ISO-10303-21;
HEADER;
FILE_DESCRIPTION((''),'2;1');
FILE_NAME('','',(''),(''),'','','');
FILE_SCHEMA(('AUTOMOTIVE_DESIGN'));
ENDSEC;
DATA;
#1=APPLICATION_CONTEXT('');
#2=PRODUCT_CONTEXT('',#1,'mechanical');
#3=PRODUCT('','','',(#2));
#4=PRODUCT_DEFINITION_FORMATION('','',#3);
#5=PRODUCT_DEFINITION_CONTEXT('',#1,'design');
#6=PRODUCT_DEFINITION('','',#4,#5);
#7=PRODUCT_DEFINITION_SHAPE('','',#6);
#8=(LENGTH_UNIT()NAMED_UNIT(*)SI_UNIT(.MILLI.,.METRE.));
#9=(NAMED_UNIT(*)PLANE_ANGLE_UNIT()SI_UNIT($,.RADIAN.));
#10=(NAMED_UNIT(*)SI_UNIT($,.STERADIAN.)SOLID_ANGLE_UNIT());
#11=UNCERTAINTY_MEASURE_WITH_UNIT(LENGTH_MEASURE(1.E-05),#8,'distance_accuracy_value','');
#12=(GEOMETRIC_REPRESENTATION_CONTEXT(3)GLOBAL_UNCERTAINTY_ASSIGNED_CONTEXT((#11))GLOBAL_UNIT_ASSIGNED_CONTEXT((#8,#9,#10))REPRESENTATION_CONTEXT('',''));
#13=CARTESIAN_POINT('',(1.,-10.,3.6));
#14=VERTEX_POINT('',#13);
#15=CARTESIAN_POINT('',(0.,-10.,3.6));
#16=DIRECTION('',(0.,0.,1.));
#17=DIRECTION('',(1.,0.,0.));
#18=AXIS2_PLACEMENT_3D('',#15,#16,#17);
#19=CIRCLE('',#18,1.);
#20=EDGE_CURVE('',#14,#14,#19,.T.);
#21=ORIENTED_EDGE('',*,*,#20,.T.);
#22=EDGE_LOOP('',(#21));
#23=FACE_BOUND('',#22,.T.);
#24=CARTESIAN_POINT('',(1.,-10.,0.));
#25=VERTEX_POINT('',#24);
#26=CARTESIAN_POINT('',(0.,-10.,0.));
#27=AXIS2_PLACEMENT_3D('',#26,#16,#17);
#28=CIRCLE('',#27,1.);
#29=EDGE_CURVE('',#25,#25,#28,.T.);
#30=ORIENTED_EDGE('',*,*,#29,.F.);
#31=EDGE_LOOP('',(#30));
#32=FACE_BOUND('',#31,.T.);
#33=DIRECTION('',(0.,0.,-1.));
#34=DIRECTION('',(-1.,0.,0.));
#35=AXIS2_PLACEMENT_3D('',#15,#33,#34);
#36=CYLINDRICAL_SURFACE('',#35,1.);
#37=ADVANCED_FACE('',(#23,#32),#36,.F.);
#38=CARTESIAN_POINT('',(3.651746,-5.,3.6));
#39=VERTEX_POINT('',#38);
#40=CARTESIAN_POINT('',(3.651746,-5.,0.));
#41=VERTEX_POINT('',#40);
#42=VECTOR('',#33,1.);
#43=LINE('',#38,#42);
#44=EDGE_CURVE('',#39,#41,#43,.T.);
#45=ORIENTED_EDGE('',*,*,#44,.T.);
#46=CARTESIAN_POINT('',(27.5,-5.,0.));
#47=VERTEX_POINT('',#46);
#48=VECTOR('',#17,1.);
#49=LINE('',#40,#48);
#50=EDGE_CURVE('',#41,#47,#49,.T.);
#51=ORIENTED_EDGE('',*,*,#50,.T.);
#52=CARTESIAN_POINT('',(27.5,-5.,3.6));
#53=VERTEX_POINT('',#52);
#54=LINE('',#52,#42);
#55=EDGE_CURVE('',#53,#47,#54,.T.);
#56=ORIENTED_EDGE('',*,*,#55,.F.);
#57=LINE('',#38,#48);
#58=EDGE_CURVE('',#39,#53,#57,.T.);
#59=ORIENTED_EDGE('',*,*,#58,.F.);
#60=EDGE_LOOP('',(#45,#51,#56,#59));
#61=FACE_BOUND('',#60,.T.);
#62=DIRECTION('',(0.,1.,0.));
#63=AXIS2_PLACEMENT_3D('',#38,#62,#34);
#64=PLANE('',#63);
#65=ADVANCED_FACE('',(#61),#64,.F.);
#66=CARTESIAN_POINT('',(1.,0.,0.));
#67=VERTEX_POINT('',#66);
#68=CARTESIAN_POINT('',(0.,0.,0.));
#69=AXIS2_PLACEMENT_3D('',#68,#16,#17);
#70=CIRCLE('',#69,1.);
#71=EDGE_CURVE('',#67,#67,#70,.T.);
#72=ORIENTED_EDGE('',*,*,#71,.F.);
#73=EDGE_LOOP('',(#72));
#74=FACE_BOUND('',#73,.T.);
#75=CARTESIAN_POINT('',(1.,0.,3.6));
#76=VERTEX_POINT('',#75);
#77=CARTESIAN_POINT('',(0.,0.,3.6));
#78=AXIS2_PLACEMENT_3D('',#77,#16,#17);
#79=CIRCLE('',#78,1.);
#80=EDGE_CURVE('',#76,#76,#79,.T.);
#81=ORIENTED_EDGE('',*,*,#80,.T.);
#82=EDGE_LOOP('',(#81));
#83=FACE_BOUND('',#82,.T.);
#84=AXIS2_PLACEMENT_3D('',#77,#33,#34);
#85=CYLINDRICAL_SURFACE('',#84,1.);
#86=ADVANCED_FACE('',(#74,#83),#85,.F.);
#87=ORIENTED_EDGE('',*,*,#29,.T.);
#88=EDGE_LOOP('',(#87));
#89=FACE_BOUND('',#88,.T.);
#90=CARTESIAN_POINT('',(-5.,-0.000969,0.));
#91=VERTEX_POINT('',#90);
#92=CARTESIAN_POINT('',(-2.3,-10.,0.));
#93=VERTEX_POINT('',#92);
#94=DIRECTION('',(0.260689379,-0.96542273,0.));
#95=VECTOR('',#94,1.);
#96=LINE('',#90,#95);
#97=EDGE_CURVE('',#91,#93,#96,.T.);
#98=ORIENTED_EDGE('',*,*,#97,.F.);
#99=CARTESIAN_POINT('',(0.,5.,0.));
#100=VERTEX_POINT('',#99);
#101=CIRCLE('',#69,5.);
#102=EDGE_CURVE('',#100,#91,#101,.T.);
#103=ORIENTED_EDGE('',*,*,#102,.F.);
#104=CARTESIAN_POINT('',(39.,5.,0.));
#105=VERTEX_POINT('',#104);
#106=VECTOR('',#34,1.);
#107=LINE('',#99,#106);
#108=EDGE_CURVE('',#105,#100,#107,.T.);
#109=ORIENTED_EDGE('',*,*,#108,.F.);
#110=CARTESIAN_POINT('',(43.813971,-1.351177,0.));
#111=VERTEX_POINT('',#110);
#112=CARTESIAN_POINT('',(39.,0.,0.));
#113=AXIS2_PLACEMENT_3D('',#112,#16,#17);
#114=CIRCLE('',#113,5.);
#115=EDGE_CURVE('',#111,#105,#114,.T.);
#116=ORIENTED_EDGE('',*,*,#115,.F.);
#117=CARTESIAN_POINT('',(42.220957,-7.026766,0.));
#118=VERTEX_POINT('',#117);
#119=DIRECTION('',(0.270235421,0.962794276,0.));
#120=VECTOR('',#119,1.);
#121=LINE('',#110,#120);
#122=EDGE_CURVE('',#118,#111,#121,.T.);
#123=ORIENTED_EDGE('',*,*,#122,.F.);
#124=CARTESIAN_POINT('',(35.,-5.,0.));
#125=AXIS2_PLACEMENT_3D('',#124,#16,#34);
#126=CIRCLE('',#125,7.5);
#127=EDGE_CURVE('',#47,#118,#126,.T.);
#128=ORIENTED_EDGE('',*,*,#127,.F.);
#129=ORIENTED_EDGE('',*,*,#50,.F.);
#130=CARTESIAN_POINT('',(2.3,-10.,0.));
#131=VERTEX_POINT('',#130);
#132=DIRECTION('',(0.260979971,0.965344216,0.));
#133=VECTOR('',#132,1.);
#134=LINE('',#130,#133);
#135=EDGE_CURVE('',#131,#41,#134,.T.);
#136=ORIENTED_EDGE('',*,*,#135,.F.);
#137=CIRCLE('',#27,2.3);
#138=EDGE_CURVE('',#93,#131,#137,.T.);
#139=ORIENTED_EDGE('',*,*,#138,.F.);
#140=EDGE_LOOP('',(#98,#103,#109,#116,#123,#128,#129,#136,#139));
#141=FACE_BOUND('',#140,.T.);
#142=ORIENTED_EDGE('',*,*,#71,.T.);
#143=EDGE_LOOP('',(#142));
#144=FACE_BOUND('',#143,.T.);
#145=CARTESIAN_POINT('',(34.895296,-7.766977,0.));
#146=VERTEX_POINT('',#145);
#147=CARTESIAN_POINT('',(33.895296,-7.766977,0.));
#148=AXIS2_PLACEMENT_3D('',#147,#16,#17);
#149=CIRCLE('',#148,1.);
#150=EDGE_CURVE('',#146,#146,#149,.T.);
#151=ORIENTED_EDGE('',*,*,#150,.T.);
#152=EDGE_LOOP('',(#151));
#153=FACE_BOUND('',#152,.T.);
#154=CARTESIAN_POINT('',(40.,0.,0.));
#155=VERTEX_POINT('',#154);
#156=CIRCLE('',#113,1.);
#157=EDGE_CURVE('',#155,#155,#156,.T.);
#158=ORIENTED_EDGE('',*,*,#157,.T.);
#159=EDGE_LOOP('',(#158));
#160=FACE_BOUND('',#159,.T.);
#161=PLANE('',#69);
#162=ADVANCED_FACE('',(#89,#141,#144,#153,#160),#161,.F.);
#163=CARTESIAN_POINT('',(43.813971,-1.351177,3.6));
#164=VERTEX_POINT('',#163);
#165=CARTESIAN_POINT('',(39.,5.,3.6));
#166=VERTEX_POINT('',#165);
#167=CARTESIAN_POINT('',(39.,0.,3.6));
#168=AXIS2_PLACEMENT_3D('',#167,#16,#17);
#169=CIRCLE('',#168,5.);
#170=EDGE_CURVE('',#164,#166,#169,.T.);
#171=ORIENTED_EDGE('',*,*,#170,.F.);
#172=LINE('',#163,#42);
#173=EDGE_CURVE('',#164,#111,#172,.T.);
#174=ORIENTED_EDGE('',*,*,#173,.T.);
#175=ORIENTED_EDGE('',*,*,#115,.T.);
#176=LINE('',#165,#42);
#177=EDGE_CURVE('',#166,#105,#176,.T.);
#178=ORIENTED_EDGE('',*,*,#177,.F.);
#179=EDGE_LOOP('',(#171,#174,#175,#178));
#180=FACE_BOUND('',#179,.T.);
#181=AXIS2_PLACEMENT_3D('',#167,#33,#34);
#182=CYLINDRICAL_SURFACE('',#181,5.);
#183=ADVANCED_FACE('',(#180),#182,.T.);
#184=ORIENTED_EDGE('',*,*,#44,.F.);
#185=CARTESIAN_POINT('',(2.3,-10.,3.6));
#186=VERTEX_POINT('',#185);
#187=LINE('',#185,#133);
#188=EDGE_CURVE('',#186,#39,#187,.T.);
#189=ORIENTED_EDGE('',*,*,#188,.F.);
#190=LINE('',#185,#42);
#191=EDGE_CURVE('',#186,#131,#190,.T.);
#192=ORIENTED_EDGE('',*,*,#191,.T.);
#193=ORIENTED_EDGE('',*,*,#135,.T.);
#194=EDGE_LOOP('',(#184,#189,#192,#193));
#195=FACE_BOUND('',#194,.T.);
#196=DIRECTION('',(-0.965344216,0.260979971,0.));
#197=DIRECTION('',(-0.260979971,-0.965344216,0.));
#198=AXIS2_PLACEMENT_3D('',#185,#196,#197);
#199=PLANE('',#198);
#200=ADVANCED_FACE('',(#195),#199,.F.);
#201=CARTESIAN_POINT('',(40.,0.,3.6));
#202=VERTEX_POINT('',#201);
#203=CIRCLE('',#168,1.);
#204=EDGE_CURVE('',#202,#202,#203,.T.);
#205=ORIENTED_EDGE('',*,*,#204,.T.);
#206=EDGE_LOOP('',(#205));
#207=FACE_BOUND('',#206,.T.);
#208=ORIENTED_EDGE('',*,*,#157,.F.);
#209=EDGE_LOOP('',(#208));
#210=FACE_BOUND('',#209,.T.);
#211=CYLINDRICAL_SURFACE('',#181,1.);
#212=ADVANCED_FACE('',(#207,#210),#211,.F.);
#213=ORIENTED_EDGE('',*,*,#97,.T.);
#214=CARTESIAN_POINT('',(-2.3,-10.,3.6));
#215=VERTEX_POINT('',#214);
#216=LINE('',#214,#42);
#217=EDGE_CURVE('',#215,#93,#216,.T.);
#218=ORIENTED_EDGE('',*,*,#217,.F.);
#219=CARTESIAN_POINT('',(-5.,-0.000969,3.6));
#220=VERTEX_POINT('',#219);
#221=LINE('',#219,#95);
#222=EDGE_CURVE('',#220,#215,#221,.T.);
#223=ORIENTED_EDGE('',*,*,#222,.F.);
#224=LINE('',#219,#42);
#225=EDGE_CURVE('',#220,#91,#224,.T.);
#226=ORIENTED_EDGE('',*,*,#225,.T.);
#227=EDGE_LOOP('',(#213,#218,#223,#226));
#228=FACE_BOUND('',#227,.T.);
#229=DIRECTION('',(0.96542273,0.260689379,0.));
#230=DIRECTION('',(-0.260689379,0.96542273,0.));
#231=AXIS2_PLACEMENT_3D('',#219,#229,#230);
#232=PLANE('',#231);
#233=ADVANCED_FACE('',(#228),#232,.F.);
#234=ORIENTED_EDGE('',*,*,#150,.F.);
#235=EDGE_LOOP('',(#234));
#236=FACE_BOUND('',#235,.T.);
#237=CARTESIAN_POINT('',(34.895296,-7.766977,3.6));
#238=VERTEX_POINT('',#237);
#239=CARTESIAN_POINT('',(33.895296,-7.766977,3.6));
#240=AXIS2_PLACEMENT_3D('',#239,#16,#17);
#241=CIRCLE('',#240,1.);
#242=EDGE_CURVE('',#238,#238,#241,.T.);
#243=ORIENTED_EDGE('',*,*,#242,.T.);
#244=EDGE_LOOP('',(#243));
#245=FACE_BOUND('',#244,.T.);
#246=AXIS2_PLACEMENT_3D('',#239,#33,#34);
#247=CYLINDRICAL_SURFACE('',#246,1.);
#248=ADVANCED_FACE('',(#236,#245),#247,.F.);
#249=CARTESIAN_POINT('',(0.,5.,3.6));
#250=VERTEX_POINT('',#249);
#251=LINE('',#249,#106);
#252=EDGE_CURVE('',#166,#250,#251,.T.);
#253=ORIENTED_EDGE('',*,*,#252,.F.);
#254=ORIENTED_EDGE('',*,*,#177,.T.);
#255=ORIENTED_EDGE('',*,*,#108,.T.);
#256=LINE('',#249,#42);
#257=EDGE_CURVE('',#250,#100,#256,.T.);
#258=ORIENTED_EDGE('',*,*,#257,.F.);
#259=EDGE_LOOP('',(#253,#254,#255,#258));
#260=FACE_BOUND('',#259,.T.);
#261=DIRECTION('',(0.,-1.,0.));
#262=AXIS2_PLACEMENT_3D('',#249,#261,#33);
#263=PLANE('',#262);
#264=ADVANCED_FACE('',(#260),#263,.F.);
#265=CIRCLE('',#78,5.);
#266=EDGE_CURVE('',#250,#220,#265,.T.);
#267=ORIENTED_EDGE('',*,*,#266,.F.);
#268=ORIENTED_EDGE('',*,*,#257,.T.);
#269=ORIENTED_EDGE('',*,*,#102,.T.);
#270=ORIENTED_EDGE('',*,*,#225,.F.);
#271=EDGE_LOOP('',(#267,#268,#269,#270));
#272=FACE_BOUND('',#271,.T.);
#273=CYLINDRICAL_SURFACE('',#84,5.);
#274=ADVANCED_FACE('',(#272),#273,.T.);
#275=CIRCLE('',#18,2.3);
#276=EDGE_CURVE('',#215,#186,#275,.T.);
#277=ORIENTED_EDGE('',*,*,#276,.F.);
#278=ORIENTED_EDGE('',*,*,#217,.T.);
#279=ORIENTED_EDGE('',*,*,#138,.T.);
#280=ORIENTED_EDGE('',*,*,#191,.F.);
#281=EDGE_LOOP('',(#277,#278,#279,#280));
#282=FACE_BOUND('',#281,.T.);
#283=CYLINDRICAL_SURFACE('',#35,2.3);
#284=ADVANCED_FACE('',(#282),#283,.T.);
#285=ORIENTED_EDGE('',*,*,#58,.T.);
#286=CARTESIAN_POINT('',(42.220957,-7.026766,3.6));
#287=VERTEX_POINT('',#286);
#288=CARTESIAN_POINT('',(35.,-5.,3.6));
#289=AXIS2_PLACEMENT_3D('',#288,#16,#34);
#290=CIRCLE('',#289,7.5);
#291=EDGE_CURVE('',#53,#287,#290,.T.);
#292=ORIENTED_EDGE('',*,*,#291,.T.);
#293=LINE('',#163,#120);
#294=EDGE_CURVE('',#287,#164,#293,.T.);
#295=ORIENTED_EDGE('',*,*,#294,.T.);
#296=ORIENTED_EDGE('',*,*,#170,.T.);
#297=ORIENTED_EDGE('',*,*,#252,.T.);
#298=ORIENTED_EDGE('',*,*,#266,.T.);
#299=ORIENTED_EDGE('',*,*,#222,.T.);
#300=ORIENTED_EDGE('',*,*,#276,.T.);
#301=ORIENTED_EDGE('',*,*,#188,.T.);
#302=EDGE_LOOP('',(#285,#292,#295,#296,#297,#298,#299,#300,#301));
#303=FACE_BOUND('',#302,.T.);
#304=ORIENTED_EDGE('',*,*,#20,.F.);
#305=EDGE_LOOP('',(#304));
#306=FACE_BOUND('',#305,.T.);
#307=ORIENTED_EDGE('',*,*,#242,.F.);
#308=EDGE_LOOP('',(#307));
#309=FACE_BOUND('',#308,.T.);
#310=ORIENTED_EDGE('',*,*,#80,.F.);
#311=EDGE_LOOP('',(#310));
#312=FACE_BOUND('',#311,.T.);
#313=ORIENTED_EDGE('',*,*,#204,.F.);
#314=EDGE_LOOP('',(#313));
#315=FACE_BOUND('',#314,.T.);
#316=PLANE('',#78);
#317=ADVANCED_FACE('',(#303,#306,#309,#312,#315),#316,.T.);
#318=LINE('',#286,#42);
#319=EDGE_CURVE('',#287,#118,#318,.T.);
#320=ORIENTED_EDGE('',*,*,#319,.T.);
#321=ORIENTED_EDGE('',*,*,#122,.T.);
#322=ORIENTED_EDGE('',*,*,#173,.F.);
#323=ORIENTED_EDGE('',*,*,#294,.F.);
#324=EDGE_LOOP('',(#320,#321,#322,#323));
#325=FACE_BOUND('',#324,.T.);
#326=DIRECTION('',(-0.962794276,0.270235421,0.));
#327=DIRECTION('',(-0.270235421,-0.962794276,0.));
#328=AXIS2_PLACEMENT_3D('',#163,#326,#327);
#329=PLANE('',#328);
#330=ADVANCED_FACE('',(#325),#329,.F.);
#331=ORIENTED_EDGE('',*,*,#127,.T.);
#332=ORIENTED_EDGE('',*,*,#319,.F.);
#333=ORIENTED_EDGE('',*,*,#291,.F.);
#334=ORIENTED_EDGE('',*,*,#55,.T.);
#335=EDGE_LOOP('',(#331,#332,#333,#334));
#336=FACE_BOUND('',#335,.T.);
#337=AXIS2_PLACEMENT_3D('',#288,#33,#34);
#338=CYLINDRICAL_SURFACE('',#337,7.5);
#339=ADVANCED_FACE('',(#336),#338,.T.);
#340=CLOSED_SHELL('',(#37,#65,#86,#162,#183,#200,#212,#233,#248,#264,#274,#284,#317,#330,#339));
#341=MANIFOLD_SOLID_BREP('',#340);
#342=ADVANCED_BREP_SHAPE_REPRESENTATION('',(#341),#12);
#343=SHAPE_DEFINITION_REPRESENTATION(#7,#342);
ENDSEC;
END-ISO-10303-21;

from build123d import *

# Parameters (mm, degrees)
SKETCH1_R           = 1
BOSS_EXTRUDE1_DEPTH = 3.6


with BuildPart() as part:
    # Sketch1 → Boss-Extrude1 (new body)
    with BuildSketch(Plane.XY):
        with BuildLine():
            Line((0, 5), (39, 5))
            ThreePointArc((39, 5), (42.984713636, 3.020274365), (43.813971379, -1.351177103))
            Line((43.813971379, -1.351177103), (42.220957068, -7.026765655))
            ThreePointArc((42.220957068, -7.026765655), (33.977057678, -12.429911776), (27.5, -5))
            Line((27.5, -5), (3.651745661, -5))
            Line((3.651745661, -5), (2.3, -10))
            ThreePointArc((2.3, -10), (0, -12.3), (-2.3, -10))
            Line((-2.3, -10), (-4.999999906, -0.00096864))
            ThreePointArc((-4.999999906, -0.00096864), (-3.535876355, 3.535191424), (0, 5))
        make_face()
        with Locations((0, -10)):
            Circle(SKETCH1_R, mode=Mode.SUBTRACT)
        Circle(SKETCH1_R, mode=Mode.SUBTRACT)
        with Locations((39, 0)):
            Circle(SKETCH1_R, mode=Mode.SUBTRACT)
        with Locations((33.8952959, -7.766976867)):
            Circle(SKETCH1_R, mode=Mode.SUBTRACT)
    extrude(amount=BOSS_EXTRUDE1_DEPTH)


solid = part.part
